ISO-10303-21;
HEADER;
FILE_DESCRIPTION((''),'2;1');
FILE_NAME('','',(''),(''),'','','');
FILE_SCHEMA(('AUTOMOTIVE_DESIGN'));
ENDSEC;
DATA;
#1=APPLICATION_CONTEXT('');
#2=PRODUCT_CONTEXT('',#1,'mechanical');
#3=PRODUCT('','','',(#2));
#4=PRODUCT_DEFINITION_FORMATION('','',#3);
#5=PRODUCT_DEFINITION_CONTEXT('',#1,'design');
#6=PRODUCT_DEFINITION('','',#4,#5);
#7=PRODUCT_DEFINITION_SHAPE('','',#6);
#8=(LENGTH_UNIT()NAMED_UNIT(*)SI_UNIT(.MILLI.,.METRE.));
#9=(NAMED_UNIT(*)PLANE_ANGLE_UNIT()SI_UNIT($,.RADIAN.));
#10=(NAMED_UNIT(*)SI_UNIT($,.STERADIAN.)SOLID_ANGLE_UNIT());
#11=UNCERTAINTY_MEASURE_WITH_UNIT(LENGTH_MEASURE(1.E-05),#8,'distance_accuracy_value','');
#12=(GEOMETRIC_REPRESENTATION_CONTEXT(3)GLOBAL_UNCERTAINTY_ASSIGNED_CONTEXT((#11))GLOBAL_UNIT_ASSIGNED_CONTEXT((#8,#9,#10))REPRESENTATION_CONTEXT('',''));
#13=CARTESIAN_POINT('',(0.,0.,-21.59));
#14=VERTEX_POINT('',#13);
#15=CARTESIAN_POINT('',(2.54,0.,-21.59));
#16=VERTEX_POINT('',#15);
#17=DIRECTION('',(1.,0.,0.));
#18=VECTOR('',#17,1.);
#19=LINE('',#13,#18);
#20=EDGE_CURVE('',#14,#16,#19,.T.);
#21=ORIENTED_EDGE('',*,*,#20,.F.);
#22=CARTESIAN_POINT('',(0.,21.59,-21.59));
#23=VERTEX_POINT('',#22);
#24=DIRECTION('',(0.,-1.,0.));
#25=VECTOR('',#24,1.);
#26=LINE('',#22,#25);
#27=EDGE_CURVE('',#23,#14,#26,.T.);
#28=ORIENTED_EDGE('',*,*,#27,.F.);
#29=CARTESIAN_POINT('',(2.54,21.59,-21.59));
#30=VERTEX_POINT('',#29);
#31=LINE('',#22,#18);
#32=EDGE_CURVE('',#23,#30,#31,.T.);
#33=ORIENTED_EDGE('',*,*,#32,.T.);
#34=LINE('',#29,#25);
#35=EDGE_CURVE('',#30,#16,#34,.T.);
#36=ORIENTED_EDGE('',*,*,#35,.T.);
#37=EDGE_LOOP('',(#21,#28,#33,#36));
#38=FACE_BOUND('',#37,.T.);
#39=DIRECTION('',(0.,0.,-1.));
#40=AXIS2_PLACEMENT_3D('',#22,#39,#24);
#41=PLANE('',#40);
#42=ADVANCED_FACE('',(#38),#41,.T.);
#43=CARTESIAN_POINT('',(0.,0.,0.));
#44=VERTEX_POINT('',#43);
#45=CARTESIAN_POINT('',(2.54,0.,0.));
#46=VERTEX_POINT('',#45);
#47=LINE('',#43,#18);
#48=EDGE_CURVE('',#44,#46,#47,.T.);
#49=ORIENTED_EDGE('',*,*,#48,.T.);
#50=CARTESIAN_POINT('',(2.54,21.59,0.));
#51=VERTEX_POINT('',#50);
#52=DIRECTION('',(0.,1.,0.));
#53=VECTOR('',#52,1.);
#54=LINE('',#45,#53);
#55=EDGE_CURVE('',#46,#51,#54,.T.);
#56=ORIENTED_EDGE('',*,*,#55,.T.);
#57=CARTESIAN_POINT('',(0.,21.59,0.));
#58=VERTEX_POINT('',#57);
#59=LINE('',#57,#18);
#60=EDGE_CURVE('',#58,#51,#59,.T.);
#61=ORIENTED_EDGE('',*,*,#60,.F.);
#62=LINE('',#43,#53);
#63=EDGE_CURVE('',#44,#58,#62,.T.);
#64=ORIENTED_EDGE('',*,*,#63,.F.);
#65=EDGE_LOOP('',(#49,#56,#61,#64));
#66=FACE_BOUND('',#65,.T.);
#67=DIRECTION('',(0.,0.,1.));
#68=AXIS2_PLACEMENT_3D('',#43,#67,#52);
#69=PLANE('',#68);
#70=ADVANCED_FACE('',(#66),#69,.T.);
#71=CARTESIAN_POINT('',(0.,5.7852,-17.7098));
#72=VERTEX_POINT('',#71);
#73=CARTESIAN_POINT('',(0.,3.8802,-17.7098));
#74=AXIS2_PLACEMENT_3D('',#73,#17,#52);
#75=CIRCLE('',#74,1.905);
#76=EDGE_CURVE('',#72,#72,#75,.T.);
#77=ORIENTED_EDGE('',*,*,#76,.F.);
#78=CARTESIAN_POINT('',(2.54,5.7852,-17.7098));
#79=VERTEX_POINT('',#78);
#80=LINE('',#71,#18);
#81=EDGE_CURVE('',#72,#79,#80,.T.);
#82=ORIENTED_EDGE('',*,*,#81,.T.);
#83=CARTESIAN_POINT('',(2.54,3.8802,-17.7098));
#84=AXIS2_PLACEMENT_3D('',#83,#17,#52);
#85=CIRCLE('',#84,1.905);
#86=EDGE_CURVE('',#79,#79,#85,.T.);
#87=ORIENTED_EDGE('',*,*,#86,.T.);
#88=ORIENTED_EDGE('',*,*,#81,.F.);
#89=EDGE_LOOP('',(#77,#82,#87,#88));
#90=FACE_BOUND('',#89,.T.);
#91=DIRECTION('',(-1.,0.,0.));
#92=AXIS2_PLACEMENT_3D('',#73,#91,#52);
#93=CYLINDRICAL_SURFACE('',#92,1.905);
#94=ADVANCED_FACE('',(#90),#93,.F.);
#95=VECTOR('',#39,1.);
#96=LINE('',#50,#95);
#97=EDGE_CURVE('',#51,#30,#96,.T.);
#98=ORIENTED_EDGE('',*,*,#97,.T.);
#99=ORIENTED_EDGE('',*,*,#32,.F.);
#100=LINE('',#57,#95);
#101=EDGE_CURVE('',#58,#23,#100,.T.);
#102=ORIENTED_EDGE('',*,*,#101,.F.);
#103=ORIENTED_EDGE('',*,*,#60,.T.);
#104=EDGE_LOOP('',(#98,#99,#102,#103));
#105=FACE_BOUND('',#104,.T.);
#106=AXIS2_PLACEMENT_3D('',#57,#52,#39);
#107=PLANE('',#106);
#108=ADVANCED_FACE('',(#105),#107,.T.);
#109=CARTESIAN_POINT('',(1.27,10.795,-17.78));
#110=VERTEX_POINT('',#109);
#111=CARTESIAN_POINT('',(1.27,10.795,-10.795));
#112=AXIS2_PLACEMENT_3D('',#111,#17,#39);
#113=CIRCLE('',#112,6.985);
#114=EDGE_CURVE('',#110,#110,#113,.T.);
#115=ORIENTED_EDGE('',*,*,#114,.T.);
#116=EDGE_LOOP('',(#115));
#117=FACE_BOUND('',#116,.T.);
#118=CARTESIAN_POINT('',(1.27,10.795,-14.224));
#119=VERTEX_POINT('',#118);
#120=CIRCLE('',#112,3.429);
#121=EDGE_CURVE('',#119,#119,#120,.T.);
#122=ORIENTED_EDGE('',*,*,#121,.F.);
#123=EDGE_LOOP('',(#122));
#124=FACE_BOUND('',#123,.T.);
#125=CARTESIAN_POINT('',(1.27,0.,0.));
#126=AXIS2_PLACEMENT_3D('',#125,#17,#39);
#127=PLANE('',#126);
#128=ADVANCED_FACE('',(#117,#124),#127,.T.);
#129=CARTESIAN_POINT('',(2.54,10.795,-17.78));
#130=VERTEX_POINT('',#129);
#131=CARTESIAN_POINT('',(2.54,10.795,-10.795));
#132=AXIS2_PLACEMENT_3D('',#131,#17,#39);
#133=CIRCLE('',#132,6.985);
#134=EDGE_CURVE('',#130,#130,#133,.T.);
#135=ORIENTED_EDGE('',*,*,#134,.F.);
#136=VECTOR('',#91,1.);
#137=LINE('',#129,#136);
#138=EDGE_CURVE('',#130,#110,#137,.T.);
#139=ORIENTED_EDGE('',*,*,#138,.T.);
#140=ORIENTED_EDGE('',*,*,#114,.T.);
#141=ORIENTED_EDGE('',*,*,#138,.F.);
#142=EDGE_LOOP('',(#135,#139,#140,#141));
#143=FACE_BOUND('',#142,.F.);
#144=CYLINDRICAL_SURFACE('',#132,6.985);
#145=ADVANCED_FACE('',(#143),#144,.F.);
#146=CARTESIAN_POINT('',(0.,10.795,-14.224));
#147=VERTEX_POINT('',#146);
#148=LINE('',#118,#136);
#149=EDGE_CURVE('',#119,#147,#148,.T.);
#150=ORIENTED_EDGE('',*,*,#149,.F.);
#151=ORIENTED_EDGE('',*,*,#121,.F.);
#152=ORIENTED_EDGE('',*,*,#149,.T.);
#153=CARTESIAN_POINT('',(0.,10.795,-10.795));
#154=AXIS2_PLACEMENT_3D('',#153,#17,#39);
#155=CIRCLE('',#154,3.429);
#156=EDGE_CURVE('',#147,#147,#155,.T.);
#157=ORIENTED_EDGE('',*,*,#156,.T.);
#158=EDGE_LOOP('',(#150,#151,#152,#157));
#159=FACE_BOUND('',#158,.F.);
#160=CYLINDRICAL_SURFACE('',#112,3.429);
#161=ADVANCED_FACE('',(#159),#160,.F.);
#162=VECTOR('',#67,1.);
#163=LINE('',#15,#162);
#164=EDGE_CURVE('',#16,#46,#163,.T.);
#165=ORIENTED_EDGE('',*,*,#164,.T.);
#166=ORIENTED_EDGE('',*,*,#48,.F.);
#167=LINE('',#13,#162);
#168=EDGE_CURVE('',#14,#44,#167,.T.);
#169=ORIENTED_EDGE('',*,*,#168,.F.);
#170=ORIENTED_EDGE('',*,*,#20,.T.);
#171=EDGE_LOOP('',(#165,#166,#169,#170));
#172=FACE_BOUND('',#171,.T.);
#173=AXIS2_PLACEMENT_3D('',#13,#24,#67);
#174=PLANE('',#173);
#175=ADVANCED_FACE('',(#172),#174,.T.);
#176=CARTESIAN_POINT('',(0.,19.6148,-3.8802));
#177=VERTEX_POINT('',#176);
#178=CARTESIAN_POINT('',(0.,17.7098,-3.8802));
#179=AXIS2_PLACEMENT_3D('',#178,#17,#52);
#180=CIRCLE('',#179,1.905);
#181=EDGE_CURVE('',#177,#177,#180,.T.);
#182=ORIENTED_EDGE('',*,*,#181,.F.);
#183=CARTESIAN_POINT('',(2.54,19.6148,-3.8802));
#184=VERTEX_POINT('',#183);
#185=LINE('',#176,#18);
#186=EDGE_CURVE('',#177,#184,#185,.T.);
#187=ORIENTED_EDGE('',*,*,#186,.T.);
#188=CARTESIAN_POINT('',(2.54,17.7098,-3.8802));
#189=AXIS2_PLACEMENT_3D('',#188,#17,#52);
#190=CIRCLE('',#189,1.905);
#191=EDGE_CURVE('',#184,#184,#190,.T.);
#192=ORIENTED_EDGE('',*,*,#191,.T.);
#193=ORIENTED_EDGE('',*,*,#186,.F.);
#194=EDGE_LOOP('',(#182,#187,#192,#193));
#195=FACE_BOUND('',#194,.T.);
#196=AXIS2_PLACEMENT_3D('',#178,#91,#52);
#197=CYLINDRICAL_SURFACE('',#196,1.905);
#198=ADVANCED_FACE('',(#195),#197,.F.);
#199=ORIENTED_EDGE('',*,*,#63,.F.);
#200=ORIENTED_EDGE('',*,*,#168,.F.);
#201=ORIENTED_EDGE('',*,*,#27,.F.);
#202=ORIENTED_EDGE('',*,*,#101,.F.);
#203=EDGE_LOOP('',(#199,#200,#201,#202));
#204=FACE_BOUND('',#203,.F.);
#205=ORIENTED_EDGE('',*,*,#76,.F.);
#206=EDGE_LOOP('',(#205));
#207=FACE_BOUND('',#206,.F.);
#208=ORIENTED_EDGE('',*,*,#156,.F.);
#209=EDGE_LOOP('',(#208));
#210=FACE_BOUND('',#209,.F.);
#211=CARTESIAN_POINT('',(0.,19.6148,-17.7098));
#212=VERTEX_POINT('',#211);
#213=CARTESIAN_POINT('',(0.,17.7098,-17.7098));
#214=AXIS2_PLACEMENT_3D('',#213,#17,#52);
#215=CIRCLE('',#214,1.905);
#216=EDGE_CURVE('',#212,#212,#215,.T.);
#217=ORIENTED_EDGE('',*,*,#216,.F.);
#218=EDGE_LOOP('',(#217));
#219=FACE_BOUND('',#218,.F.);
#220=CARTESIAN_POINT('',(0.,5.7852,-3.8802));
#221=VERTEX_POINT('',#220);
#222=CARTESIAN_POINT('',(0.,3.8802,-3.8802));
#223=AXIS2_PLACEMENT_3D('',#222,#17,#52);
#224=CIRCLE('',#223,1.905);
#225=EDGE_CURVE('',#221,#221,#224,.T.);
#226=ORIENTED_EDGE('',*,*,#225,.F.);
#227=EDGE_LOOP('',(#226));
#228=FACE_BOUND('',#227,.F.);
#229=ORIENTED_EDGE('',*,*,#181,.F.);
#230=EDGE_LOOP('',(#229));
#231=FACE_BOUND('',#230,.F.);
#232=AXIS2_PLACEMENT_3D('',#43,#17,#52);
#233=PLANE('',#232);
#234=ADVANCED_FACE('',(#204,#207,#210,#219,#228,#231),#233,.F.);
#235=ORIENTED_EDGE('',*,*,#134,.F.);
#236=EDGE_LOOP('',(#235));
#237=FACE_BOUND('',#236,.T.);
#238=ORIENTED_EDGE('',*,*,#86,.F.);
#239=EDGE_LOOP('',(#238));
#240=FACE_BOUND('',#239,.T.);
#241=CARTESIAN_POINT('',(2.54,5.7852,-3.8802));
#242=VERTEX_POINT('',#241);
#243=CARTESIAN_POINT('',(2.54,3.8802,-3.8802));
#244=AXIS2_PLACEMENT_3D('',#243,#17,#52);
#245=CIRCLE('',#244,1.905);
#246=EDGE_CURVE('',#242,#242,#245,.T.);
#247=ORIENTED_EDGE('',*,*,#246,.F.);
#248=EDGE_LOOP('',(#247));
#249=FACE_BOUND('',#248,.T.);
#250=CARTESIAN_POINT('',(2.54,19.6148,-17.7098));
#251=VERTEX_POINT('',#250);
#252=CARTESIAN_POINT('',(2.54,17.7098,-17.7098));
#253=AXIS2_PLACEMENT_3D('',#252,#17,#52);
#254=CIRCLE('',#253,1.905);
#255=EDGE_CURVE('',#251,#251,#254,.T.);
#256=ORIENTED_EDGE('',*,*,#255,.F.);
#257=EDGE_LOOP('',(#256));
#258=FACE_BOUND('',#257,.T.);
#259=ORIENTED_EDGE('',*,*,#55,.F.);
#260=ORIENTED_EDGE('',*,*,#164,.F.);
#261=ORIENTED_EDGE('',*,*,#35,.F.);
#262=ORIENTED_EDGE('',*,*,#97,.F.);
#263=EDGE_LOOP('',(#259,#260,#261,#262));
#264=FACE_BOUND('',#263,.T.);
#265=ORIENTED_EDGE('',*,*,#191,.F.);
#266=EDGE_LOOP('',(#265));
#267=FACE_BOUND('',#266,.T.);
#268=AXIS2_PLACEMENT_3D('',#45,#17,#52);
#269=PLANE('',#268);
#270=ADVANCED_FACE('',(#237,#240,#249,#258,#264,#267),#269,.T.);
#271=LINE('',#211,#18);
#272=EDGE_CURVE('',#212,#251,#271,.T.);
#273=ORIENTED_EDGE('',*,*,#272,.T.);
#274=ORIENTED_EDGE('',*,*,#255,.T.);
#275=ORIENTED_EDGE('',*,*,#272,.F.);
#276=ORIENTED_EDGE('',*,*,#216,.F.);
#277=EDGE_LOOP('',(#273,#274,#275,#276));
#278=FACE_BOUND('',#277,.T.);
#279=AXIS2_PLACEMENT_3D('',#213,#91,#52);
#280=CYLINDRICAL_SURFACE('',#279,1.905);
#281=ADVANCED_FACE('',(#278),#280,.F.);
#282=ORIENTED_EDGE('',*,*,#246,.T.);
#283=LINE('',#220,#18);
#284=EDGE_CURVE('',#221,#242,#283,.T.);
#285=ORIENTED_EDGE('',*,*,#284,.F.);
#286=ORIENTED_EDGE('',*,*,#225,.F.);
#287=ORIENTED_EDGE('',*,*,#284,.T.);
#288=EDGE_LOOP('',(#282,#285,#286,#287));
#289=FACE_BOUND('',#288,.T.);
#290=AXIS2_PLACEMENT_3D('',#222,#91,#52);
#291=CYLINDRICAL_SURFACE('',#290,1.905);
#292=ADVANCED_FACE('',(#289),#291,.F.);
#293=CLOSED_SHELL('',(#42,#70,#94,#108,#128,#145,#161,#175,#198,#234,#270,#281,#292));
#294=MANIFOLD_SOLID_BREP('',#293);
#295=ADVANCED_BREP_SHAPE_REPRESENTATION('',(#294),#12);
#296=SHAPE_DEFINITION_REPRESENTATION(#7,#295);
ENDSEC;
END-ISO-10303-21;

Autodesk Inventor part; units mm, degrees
ref_plane "YZ Plane" through (0, 0, 0) normal (1, 0, 0) x (0, 1, 0)
ref_plane "XZ Plane" through (0, 0, 0) normal (0, 1, 0) x (-1, 0, 0)
ref_plane "XY Plane" through (0, 0, 0) normal (0, 0, 1) x (1, 0, 0)
sketch "Sketch1" plane through (0, 0, 0) normal (1, 0, 0) x (0, 1, 0)
  line L0 (0, 0) -> (21.59, 0)
  line L1 (21.59, 0) -> (21.59, -21.59)
  line L2 (21.59, -21.59) -> (0, -21.59)
  line L3 (0, -21.59) -> (0, 0)
  circle A0 centre (17.7098, -3.8802) radius 1.905
  circle A1 centre (17.7098, -17.7098) radius 1.905
  circle A2 centre (3.8802, -17.7098) radius 1.905
  circle A3 centre (3.8802, -3.8802) radius 1.905
  dimension "d0" = 21.59
  dimension "d1" = 21.59
  dimension "d3" = 3.81
  dimension "d4" = 3.81
  dimension "d5" = 3.81
  dimension "d6" = 3.81
extrude "Extrusion1" add sketch "Sketch1" along normal blind 2.54
sketch "Sketch2" plane through (2.54, 0, 0) normal (1, 0, 0) x (0, 0, -1)
  line L0 (21.59, 0) -> (21.59, 21.59) projected
  line L1 (21.59, 21.59) -> (0, 21.59) projected
  line L2 (0, 21.59) -> (0, 0) projected
  circle A0 centre (10.795, 10.795) radius 6.985
  dimension "d9" = 13.97
extrude "Extrusion2" cut sketch "Sketch2" against normal blind 1.27
sketch "Sketch3" plane through (1.27, 10.795, -10.795) normal (1, 0, 0) x (0, 0, -1)
  circle A0 centre (0, 0) radius 3.429
  point P0 (-10.795, -10.795)
  dimension "d12" = 6.858
extrude "Extrusion3" cut sketch "Sketch3" against normal blind 24.13
properties part number "BearingSpacer"
